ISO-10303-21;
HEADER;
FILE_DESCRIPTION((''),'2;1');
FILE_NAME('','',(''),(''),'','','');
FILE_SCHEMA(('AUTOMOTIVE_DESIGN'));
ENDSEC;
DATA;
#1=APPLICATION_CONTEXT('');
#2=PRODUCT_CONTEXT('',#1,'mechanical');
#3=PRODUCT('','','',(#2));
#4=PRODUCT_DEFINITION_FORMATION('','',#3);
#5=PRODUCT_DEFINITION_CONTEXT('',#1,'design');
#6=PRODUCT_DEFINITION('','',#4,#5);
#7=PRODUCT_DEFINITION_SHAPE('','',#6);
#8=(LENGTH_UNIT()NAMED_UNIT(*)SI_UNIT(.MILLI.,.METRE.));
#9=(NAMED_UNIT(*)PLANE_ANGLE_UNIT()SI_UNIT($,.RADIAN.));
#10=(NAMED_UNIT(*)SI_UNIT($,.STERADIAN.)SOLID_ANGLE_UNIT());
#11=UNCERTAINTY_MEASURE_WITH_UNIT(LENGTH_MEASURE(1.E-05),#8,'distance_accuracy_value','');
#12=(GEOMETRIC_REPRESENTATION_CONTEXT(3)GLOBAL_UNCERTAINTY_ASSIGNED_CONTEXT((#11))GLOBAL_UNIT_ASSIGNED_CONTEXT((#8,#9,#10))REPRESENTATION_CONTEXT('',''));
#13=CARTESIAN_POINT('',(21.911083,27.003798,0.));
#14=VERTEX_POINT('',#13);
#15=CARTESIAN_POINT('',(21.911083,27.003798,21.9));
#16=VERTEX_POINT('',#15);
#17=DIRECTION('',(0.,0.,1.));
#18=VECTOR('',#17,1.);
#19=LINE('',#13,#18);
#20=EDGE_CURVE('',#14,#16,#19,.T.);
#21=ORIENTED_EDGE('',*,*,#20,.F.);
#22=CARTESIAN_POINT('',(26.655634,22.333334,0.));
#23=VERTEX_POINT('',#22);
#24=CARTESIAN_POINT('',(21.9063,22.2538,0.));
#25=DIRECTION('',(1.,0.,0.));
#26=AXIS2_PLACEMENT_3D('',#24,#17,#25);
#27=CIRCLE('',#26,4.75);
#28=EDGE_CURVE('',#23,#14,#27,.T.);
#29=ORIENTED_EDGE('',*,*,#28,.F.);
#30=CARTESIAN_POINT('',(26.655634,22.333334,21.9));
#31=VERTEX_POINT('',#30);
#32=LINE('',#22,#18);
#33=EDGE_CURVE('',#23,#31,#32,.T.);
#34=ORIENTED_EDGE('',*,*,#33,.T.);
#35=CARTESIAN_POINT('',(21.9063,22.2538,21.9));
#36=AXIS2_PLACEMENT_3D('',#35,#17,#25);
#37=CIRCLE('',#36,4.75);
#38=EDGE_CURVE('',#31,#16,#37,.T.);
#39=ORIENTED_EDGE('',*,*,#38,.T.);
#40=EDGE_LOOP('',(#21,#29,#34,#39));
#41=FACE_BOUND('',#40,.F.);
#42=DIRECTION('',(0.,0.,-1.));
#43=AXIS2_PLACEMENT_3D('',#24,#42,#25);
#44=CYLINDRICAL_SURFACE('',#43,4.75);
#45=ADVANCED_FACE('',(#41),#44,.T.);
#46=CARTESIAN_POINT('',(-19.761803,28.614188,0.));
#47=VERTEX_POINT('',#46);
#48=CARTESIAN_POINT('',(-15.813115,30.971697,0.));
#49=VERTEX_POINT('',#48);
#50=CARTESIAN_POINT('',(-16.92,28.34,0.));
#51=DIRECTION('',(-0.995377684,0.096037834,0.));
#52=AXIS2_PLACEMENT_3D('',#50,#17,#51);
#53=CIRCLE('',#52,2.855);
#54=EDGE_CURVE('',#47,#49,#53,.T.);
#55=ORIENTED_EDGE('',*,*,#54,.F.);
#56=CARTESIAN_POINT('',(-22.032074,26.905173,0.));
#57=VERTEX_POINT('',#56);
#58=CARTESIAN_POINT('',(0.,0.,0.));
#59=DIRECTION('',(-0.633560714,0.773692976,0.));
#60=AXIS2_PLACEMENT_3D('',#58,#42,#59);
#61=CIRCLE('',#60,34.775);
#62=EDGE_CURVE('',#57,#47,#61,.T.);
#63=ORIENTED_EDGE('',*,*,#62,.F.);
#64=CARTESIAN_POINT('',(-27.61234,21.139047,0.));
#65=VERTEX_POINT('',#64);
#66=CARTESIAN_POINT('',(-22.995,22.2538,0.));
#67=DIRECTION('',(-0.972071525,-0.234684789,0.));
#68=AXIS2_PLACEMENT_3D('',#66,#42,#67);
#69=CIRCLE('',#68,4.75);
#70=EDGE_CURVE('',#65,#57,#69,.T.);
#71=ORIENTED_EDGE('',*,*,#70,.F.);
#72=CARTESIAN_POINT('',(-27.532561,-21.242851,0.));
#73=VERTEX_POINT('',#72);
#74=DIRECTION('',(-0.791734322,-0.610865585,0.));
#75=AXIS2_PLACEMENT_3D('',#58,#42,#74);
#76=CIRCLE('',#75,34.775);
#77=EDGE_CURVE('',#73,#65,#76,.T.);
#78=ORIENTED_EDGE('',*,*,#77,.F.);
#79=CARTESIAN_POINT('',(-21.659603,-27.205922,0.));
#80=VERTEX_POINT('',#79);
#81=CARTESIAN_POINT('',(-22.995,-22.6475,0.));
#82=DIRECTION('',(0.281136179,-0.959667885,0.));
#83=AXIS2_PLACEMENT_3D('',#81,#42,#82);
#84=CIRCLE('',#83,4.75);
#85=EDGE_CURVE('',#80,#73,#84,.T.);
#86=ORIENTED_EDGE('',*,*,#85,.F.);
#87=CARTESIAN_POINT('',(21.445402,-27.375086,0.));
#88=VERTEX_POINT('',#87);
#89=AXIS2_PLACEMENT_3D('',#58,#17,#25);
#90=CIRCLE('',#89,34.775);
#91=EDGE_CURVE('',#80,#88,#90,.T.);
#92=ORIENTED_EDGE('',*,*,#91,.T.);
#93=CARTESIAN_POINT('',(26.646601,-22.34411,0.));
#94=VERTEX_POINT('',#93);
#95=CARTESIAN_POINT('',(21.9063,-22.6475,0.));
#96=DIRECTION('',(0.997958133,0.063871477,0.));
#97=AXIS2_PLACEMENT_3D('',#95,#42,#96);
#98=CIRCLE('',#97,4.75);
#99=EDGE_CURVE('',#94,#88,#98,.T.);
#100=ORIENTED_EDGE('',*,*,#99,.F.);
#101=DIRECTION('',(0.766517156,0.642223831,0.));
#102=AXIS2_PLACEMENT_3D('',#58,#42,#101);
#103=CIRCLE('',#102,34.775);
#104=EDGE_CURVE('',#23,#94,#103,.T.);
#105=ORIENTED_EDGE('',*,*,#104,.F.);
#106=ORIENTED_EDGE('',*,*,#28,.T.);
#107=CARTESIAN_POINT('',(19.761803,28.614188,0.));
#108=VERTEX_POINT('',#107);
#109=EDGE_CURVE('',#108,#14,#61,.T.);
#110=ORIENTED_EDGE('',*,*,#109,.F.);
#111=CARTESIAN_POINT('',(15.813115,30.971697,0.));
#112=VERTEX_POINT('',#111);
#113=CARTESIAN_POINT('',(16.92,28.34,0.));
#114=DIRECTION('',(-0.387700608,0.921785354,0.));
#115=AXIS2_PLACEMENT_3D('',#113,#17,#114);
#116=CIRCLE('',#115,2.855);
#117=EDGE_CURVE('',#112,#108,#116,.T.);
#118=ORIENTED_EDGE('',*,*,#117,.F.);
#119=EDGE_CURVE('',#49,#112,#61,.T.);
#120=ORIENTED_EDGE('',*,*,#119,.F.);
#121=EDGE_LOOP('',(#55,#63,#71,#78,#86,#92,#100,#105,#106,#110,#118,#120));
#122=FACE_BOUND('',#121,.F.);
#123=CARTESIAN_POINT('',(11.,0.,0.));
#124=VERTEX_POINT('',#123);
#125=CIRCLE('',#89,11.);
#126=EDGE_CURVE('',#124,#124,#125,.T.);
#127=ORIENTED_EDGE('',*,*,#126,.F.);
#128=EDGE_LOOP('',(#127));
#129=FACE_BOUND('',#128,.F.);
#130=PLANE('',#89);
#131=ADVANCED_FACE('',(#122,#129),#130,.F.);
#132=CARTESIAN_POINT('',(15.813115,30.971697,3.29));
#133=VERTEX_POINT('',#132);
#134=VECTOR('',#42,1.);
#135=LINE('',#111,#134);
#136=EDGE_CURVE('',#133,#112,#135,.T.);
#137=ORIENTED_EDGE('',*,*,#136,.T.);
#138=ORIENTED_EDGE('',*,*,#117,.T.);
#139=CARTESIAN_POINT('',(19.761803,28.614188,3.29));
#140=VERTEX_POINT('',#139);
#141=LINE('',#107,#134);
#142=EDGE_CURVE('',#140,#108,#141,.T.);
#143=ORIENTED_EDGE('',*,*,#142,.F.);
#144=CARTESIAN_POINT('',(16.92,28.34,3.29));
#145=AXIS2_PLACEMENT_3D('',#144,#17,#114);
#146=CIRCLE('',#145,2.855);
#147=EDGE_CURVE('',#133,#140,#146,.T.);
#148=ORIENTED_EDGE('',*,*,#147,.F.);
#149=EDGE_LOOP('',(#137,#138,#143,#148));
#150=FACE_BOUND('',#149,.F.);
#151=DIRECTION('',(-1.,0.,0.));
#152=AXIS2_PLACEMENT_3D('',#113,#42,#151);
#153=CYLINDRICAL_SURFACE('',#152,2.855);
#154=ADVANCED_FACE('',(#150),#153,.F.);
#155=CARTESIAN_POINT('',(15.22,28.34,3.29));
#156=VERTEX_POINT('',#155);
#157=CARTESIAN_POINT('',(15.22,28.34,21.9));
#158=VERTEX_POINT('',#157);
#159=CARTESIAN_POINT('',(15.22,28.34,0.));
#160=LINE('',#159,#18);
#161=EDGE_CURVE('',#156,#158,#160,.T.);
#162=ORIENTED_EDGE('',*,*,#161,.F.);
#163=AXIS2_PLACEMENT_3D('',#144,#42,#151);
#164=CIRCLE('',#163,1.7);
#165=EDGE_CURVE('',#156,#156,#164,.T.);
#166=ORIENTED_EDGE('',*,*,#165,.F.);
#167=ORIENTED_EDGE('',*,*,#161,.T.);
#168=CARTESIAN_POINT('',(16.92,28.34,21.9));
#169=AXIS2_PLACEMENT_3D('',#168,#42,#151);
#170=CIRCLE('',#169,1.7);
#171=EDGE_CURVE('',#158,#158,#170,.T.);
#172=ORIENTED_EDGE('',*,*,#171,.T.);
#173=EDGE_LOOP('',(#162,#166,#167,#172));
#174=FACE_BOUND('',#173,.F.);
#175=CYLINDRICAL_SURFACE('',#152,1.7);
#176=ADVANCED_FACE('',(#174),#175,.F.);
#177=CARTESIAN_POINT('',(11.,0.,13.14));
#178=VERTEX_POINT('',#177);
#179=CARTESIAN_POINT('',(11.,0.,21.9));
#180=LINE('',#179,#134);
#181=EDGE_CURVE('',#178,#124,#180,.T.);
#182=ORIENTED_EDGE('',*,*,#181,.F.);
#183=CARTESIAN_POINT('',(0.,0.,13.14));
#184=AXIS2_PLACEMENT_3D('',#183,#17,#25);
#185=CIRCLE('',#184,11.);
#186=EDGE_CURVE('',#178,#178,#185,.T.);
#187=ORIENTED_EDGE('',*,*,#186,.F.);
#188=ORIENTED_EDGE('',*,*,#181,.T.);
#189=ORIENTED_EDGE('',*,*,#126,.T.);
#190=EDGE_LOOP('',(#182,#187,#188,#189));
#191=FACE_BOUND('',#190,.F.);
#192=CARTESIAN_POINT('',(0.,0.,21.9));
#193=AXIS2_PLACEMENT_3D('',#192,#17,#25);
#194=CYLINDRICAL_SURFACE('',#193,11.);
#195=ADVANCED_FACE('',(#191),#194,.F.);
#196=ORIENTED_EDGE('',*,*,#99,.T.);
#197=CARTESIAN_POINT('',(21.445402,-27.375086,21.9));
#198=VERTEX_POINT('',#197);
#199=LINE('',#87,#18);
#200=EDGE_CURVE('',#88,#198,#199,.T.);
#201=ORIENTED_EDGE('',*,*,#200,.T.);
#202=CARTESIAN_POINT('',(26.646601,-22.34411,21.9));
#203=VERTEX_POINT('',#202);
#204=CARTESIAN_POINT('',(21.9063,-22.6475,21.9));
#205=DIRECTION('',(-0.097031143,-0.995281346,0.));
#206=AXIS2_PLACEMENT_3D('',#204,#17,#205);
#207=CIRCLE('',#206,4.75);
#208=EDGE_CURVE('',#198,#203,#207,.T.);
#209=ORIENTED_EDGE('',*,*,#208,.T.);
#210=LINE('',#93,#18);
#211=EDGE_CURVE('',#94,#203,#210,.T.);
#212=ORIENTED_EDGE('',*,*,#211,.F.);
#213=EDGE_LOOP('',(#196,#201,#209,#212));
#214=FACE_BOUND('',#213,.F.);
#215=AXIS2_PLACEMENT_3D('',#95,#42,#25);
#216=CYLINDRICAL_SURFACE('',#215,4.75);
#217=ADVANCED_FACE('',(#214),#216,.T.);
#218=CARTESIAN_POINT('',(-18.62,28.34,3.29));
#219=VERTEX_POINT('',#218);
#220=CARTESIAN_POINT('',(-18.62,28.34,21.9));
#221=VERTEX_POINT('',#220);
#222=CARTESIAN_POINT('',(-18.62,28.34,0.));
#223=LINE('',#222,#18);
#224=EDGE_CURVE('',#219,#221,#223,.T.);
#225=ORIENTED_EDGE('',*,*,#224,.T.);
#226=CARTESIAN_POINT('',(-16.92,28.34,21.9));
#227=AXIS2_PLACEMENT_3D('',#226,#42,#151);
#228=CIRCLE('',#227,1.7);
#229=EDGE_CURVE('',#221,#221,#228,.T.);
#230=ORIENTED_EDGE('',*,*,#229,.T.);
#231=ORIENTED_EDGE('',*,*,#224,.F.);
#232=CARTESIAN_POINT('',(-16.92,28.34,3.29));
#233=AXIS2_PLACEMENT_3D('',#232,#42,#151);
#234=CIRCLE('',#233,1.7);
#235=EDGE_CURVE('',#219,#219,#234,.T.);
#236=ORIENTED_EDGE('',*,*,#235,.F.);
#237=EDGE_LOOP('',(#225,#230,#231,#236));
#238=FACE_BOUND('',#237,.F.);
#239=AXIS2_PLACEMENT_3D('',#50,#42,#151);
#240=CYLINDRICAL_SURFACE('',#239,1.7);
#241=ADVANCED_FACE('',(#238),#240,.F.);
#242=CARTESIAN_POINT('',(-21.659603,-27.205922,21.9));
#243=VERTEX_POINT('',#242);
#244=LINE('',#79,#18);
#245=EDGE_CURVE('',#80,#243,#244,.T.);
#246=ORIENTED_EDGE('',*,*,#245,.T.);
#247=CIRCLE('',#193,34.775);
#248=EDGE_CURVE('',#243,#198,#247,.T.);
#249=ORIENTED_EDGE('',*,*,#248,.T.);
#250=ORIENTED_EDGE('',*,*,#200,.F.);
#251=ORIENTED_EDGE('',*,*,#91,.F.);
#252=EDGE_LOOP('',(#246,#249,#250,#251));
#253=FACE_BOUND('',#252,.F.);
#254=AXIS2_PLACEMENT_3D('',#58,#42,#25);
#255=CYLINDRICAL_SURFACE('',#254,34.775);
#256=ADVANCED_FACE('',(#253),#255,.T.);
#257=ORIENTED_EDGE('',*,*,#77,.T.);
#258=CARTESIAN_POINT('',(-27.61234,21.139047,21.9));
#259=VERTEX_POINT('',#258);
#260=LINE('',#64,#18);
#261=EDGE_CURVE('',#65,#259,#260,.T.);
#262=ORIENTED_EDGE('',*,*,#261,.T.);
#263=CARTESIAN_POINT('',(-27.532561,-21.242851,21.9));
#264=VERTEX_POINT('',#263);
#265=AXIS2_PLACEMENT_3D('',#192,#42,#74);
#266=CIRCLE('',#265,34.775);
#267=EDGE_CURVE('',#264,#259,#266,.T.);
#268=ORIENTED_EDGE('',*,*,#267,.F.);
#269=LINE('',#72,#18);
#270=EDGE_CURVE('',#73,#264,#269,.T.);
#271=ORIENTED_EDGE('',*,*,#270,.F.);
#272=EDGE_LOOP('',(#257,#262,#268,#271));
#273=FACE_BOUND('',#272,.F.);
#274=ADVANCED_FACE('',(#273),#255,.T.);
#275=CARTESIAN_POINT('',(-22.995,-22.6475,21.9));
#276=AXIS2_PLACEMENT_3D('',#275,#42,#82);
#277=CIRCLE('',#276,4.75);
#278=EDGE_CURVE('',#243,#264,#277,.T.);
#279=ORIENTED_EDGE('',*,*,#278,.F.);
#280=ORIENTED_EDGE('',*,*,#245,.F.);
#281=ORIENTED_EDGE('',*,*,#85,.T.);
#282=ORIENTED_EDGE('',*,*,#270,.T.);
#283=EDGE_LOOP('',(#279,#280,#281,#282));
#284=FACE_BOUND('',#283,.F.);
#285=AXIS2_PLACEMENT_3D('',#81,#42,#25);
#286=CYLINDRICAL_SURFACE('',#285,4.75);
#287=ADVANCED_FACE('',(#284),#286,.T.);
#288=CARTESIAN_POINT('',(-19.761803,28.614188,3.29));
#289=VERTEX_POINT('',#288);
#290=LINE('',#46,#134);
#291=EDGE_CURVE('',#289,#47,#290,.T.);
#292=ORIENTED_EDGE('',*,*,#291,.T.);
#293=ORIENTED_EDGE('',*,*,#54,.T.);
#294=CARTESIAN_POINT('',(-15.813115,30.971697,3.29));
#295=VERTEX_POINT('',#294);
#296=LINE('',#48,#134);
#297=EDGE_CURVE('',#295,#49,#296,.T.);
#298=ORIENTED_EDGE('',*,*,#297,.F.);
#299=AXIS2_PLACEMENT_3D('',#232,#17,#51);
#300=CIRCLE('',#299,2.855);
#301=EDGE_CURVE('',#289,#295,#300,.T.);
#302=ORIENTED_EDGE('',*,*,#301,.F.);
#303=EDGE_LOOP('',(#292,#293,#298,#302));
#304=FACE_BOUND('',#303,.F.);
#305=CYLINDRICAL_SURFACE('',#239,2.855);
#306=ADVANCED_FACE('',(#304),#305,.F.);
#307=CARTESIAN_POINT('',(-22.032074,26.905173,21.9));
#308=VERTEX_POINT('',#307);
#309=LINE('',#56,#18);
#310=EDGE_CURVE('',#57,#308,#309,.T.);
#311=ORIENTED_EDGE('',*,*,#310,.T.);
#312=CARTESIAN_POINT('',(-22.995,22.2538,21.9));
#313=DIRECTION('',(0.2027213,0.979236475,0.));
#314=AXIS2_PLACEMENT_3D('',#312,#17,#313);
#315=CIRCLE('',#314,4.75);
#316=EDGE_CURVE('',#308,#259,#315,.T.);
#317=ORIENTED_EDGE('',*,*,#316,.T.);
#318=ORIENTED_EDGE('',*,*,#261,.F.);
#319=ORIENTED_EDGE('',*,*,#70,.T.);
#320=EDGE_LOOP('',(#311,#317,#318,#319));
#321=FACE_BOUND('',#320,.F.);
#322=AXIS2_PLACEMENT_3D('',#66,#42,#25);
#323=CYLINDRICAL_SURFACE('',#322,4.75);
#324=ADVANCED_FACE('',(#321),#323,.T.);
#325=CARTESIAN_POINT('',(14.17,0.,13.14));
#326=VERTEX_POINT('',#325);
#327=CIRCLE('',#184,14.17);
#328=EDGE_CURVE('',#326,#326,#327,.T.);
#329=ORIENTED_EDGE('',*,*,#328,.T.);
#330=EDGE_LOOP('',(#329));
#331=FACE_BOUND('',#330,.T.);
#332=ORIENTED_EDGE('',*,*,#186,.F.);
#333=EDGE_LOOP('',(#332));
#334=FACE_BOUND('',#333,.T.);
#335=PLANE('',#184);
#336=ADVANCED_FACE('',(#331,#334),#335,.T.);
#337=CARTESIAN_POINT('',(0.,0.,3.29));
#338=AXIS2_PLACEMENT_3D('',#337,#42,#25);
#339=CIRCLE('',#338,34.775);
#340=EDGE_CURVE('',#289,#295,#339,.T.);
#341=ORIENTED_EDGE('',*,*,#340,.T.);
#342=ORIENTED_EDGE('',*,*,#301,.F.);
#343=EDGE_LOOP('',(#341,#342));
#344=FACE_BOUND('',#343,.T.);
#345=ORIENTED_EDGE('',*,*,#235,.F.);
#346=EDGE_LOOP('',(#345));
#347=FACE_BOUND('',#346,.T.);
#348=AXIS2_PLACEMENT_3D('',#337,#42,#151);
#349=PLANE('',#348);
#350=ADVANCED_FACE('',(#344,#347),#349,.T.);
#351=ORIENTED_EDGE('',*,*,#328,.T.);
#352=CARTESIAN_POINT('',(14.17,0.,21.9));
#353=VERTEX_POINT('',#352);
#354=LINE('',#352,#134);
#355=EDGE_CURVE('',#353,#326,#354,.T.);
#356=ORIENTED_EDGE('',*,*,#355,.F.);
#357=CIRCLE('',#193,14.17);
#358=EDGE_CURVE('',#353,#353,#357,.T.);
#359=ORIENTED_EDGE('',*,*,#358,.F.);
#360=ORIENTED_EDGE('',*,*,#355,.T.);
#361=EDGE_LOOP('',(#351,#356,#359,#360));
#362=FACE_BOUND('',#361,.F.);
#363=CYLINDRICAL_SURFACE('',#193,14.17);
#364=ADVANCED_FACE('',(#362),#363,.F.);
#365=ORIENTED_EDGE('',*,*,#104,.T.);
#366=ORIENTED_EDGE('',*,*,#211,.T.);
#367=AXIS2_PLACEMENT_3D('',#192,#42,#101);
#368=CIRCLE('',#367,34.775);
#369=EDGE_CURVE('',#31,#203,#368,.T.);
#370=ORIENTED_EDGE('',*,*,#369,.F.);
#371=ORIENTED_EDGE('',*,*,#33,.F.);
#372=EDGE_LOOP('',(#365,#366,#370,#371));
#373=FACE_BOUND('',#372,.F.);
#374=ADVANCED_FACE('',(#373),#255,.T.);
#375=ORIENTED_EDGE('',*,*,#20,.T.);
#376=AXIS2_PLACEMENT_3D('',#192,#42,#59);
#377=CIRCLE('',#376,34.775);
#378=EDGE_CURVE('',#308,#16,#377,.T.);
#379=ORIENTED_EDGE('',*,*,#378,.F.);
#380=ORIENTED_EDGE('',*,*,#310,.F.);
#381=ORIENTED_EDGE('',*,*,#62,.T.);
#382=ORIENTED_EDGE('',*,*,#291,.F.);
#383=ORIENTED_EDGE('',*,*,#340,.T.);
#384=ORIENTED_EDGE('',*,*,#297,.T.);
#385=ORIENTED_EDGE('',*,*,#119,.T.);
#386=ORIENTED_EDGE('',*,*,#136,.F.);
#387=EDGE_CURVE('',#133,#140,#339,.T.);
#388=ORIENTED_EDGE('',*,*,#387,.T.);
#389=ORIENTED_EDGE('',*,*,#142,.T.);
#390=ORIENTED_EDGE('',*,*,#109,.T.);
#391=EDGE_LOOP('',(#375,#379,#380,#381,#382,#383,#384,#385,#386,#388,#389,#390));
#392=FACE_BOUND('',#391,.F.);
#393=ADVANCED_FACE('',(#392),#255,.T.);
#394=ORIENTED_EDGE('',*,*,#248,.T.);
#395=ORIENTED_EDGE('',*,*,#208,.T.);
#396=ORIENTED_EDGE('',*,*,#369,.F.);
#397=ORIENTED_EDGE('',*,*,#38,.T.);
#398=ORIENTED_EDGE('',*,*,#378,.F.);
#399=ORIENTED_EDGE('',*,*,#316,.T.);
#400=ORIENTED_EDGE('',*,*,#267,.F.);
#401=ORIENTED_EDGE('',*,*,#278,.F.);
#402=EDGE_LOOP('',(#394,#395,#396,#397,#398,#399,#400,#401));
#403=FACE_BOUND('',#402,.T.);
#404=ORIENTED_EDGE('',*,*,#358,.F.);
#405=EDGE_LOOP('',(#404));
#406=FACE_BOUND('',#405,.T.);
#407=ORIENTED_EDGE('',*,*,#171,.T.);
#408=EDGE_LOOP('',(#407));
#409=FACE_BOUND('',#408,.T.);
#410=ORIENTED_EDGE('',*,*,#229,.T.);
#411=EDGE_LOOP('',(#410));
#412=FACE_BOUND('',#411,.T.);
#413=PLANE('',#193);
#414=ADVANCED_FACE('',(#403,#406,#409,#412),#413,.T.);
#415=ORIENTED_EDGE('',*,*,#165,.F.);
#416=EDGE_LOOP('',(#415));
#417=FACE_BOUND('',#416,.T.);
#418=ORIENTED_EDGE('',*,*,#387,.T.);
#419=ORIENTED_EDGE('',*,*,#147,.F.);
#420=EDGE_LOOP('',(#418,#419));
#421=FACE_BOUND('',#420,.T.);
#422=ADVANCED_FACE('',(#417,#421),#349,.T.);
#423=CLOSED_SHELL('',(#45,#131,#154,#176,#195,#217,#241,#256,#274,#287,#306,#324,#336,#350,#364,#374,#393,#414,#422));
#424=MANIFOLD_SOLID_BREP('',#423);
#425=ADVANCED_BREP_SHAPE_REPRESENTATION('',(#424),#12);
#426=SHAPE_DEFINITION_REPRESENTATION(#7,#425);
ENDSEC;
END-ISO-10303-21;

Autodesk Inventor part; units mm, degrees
ref_plane "YZ Plane" through (0, 0, 0) normal (1, 0, 0) x (0, 1, 0)
ref_plane "XZ Plane" through (0, 0, 0) normal (0, 1, 0) x (-1, 0, 0)
ref_plane "XY Plane" through (0, 0, 0) normal (0, 0, 1) x (1, 0, 0)
sketch "Sketch1" plane through (0, 0, 0) normal (0, 0, 1) x (1, 0, 0)
  circle A0 centre (0, 0) radius 11.25
  arc A1 (-32.7929, -17.201) -> (-31.2929, -19.799) centre (0, 0) ccw
  line L0 (-32.7929, -17.201) -> (-31.0547, -16.1974)
  line L1 (-32.7929, -17.201) -> (-31.0547, -16.1974)
  line L2 (-29.5547, -18.7955) -> (-31.2929, -19.799)
  line L3 (-31.2929, -19.799) -> (-29.5547, -18.7955)
  line L4 (-16.1974, -31.0547) -> (-17.201, -32.7929)
  line L5 (-17.201, -32.7929) -> (-16.1974, -31.0547)
  arc A2 (-19.799, -31.2929) -> (-17.201, -32.7929) centre (0, 0) ccw
  line L6 (-19.799, -31.2929) -> (-18.7955, -29.5547)
  line L7 (-19.799, -31.2929) -> (-18.7955, -29.5547)
  arc A3 (17.201, -32.7929) -> (19.799, -31.2929) centre (0, 0) ccw
  line L8 (17.201, -32.7929) -> (16.1974, -31.0547)
  line L9 (17.201, -32.7929) -> (16.1974, -31.0547)
  line L10 (18.7955, -29.5547) -> (19.799, -31.2929)
  line L11 (19.799, -31.2929) -> (18.7955, -29.5547)
  arc A4 (31.2929, -19.799) -> (32.7929, -17.201) centre (0, 0) ccw
  line L12 (31.2929, -19.799) -> (29.5547, -18.7955)
  line L13 (31.0547, -16.1974) -> (32.7929, -17.201)
  line L14 (32.7929, -17.201) -> (31.0547, -16.1974)
  line L15 (32.7929, 17.201) -> (31.0547, 16.1974)
  line L16 (32.7929, 17.201) -> (31.0547, 16.1974)
  arc A5 (32.7929, 17.201) -> (31.2929, 19.799) centre (0, 0) ccw
  line L17 (29.5547, 18.7955) -> (31.2929, 19.799)
  line L18 (31.2929, 19.799) -> (29.5547, 18.7955)
  line L19 (16.1974, 31.0547) -> (17.201, 32.7929)
  line L20 (17.201, 32.7929) -> (16.1974, 31.0547)
  line L21 (19.799, 31.2929) -> (18.7955, 29.5547)
  line L22 (19.799, 31.2929) -> (18.7955, 29.5547)
  line L23 (-17.201, 32.7929) -> (-16.1974, 31.0547)
  line L24 (-17.201, 32.7929) -> (-16.1974, 31.0547)
  line L25 (-18.7955, 29.5547) -> (-19.799, 31.2929)
  line L26 (-19.799, 31.2929) -> (-18.7955, 29.5547)
  arc A6 (-31.2615, 19.7809) -> (-32.7929, 17.201) centre (-0.5443, -0.1969) ccw
  line L27 (-31.2615, 19.7809) -> (-29.5547, 18.7955)
  line L28 (-31.2615, 19.7809) -> (-29.5547, 18.7955)
  line L29 (-31.0547, 16.1974) -> (-32.7929, 17.201)
  line L30 (-32.7929, 17.201) -> (-31.0547, 16.1974)
  arc A7 (-27.9532, 21.6091) -> (-22.3503, 27.212) centre (-22.995, 22.2538) ccw
  circle A8 centre (-22.995, 22.2538) radius 5
  circle A9 centre (21.9063, 22.2538) radius 5
  circle A10 centre (21.9063, 22.2538) radius 5
  circle A11 centre (-22.995, 22.2538) radius 4.75
  circle A12 centre (-22.995, -22.6475) radius 4.75
  circle A13 centre (21.9063, -22.6475) radius 4.75
  circle A14 centre (21.9063, 22.2538) radius 4.75
  circle A15 centre (0, 0) radius 34.775
  circle A16 centre (0, 0) radius 36.75
  point P0 (0, 0)
  point P1 (0, 49.75)
  point P2 (26.6556, 22.3333)
  point P3 (21.9111, 27.0038)
  point P4 (-22.0321, 26.9051)
  point P5 (-27.6123, 21.1391)
  point P6 (-27.5325, -21.2429)
  point P7 (-21.6596, -27.2059)
  point P8 (21.4454, -27.3751)
  point P9 (26.6466, -22.3441)
  dimension "d6" = 70.05
  dimension "d8" = 74.0608
  dimension "d0" = 10
  dimension "d1" = 0.25
  dimension "d4" = 360
  dimension "d7" = 0.25
  dimension "d9" = 73.5
extrude "Extrusion1" add sketch "Sketch1" along normal blind 21.9 contours A0 | A16 A12 | A12 A15 A16 | A15 A7 A9 A13 A12 | A12 A15 | A15 A11 A7 | A11 A15 | A15 A11 | A15 A13 | A13 A15 | A15 A14 A9 | A15 A14 | A14 A15 picked at (20.2713, 26.7736)
sketch "Skizze4" plane through (0, 0, 21.9) normal (0, 0, 1) x (1, 0, 0)
  circle A0 centre (0, 0) radius 11
  dimension "d24" = 22
extrude "Extrusion4" cut sketch "Skizze4" against normal up to surface (21.9 mm away) from surface at 0
sketch "Skizze5" plane through (0, 0, 21.9) normal (0, 0, 1) x (1, 0, 0)
  circle A0 centre (0, 0) radius 11 projected
  circle A1 centre (0, 0) radius 14.17
  dimension "d27" = 28.34
extrude "Extrusion5" cut sketch "Skizze5" against normal blind 8.76 contours A0 | A1
sketch "Skizze6" plane through (0, 0, 0) normal (0, 0, -1) x (-1, 0, 0)
  line L0 (0, 0) -> (-16.92, 0)
  line L1 (-16.92, 0) -> (-16.92, 28.34)
  line L2 (-16.92, 28.34) -> (0, 28.34)
  line L3 (0, 28.34) -> (0, 0)
  circle A0 centre (-16.92, 28.34) radius 1.7
  circle A1 centre (16.92, 28.34) radius 1.7
  dimension "d30" = 16.92
  dimension "d31" = 28.34
  dimension "d32" = 3.4
extrude "Extrusion6" cut sketch "Skizze6" against normal through all contours A0 L2 L1 | L1 L2 A0 | A1
sketch "Skizze8" plane through (0, 0, 0) normal (0, 0, -1) x (-1, 0, 0)
  circle A0 centre (-16.92, 28.34) radius 1.7 projected
  circle A1 centre (-16.92, 28.34) radius 2.855
  circle A2 centre (16.92, 28.34) radius 1.7 projected
  circle A3 centre (16.92, 28.34) radius 2.855
  point P0 (0, 0)
  dimension "d39" = 5.71
  dimension "d40" = 5.71
extrude "Extrusion8" cut sketch "Skizze8" against normal blind 3.29 contours A1 | A2 | A3
properties part number "2024_08_22_LED_blende"
